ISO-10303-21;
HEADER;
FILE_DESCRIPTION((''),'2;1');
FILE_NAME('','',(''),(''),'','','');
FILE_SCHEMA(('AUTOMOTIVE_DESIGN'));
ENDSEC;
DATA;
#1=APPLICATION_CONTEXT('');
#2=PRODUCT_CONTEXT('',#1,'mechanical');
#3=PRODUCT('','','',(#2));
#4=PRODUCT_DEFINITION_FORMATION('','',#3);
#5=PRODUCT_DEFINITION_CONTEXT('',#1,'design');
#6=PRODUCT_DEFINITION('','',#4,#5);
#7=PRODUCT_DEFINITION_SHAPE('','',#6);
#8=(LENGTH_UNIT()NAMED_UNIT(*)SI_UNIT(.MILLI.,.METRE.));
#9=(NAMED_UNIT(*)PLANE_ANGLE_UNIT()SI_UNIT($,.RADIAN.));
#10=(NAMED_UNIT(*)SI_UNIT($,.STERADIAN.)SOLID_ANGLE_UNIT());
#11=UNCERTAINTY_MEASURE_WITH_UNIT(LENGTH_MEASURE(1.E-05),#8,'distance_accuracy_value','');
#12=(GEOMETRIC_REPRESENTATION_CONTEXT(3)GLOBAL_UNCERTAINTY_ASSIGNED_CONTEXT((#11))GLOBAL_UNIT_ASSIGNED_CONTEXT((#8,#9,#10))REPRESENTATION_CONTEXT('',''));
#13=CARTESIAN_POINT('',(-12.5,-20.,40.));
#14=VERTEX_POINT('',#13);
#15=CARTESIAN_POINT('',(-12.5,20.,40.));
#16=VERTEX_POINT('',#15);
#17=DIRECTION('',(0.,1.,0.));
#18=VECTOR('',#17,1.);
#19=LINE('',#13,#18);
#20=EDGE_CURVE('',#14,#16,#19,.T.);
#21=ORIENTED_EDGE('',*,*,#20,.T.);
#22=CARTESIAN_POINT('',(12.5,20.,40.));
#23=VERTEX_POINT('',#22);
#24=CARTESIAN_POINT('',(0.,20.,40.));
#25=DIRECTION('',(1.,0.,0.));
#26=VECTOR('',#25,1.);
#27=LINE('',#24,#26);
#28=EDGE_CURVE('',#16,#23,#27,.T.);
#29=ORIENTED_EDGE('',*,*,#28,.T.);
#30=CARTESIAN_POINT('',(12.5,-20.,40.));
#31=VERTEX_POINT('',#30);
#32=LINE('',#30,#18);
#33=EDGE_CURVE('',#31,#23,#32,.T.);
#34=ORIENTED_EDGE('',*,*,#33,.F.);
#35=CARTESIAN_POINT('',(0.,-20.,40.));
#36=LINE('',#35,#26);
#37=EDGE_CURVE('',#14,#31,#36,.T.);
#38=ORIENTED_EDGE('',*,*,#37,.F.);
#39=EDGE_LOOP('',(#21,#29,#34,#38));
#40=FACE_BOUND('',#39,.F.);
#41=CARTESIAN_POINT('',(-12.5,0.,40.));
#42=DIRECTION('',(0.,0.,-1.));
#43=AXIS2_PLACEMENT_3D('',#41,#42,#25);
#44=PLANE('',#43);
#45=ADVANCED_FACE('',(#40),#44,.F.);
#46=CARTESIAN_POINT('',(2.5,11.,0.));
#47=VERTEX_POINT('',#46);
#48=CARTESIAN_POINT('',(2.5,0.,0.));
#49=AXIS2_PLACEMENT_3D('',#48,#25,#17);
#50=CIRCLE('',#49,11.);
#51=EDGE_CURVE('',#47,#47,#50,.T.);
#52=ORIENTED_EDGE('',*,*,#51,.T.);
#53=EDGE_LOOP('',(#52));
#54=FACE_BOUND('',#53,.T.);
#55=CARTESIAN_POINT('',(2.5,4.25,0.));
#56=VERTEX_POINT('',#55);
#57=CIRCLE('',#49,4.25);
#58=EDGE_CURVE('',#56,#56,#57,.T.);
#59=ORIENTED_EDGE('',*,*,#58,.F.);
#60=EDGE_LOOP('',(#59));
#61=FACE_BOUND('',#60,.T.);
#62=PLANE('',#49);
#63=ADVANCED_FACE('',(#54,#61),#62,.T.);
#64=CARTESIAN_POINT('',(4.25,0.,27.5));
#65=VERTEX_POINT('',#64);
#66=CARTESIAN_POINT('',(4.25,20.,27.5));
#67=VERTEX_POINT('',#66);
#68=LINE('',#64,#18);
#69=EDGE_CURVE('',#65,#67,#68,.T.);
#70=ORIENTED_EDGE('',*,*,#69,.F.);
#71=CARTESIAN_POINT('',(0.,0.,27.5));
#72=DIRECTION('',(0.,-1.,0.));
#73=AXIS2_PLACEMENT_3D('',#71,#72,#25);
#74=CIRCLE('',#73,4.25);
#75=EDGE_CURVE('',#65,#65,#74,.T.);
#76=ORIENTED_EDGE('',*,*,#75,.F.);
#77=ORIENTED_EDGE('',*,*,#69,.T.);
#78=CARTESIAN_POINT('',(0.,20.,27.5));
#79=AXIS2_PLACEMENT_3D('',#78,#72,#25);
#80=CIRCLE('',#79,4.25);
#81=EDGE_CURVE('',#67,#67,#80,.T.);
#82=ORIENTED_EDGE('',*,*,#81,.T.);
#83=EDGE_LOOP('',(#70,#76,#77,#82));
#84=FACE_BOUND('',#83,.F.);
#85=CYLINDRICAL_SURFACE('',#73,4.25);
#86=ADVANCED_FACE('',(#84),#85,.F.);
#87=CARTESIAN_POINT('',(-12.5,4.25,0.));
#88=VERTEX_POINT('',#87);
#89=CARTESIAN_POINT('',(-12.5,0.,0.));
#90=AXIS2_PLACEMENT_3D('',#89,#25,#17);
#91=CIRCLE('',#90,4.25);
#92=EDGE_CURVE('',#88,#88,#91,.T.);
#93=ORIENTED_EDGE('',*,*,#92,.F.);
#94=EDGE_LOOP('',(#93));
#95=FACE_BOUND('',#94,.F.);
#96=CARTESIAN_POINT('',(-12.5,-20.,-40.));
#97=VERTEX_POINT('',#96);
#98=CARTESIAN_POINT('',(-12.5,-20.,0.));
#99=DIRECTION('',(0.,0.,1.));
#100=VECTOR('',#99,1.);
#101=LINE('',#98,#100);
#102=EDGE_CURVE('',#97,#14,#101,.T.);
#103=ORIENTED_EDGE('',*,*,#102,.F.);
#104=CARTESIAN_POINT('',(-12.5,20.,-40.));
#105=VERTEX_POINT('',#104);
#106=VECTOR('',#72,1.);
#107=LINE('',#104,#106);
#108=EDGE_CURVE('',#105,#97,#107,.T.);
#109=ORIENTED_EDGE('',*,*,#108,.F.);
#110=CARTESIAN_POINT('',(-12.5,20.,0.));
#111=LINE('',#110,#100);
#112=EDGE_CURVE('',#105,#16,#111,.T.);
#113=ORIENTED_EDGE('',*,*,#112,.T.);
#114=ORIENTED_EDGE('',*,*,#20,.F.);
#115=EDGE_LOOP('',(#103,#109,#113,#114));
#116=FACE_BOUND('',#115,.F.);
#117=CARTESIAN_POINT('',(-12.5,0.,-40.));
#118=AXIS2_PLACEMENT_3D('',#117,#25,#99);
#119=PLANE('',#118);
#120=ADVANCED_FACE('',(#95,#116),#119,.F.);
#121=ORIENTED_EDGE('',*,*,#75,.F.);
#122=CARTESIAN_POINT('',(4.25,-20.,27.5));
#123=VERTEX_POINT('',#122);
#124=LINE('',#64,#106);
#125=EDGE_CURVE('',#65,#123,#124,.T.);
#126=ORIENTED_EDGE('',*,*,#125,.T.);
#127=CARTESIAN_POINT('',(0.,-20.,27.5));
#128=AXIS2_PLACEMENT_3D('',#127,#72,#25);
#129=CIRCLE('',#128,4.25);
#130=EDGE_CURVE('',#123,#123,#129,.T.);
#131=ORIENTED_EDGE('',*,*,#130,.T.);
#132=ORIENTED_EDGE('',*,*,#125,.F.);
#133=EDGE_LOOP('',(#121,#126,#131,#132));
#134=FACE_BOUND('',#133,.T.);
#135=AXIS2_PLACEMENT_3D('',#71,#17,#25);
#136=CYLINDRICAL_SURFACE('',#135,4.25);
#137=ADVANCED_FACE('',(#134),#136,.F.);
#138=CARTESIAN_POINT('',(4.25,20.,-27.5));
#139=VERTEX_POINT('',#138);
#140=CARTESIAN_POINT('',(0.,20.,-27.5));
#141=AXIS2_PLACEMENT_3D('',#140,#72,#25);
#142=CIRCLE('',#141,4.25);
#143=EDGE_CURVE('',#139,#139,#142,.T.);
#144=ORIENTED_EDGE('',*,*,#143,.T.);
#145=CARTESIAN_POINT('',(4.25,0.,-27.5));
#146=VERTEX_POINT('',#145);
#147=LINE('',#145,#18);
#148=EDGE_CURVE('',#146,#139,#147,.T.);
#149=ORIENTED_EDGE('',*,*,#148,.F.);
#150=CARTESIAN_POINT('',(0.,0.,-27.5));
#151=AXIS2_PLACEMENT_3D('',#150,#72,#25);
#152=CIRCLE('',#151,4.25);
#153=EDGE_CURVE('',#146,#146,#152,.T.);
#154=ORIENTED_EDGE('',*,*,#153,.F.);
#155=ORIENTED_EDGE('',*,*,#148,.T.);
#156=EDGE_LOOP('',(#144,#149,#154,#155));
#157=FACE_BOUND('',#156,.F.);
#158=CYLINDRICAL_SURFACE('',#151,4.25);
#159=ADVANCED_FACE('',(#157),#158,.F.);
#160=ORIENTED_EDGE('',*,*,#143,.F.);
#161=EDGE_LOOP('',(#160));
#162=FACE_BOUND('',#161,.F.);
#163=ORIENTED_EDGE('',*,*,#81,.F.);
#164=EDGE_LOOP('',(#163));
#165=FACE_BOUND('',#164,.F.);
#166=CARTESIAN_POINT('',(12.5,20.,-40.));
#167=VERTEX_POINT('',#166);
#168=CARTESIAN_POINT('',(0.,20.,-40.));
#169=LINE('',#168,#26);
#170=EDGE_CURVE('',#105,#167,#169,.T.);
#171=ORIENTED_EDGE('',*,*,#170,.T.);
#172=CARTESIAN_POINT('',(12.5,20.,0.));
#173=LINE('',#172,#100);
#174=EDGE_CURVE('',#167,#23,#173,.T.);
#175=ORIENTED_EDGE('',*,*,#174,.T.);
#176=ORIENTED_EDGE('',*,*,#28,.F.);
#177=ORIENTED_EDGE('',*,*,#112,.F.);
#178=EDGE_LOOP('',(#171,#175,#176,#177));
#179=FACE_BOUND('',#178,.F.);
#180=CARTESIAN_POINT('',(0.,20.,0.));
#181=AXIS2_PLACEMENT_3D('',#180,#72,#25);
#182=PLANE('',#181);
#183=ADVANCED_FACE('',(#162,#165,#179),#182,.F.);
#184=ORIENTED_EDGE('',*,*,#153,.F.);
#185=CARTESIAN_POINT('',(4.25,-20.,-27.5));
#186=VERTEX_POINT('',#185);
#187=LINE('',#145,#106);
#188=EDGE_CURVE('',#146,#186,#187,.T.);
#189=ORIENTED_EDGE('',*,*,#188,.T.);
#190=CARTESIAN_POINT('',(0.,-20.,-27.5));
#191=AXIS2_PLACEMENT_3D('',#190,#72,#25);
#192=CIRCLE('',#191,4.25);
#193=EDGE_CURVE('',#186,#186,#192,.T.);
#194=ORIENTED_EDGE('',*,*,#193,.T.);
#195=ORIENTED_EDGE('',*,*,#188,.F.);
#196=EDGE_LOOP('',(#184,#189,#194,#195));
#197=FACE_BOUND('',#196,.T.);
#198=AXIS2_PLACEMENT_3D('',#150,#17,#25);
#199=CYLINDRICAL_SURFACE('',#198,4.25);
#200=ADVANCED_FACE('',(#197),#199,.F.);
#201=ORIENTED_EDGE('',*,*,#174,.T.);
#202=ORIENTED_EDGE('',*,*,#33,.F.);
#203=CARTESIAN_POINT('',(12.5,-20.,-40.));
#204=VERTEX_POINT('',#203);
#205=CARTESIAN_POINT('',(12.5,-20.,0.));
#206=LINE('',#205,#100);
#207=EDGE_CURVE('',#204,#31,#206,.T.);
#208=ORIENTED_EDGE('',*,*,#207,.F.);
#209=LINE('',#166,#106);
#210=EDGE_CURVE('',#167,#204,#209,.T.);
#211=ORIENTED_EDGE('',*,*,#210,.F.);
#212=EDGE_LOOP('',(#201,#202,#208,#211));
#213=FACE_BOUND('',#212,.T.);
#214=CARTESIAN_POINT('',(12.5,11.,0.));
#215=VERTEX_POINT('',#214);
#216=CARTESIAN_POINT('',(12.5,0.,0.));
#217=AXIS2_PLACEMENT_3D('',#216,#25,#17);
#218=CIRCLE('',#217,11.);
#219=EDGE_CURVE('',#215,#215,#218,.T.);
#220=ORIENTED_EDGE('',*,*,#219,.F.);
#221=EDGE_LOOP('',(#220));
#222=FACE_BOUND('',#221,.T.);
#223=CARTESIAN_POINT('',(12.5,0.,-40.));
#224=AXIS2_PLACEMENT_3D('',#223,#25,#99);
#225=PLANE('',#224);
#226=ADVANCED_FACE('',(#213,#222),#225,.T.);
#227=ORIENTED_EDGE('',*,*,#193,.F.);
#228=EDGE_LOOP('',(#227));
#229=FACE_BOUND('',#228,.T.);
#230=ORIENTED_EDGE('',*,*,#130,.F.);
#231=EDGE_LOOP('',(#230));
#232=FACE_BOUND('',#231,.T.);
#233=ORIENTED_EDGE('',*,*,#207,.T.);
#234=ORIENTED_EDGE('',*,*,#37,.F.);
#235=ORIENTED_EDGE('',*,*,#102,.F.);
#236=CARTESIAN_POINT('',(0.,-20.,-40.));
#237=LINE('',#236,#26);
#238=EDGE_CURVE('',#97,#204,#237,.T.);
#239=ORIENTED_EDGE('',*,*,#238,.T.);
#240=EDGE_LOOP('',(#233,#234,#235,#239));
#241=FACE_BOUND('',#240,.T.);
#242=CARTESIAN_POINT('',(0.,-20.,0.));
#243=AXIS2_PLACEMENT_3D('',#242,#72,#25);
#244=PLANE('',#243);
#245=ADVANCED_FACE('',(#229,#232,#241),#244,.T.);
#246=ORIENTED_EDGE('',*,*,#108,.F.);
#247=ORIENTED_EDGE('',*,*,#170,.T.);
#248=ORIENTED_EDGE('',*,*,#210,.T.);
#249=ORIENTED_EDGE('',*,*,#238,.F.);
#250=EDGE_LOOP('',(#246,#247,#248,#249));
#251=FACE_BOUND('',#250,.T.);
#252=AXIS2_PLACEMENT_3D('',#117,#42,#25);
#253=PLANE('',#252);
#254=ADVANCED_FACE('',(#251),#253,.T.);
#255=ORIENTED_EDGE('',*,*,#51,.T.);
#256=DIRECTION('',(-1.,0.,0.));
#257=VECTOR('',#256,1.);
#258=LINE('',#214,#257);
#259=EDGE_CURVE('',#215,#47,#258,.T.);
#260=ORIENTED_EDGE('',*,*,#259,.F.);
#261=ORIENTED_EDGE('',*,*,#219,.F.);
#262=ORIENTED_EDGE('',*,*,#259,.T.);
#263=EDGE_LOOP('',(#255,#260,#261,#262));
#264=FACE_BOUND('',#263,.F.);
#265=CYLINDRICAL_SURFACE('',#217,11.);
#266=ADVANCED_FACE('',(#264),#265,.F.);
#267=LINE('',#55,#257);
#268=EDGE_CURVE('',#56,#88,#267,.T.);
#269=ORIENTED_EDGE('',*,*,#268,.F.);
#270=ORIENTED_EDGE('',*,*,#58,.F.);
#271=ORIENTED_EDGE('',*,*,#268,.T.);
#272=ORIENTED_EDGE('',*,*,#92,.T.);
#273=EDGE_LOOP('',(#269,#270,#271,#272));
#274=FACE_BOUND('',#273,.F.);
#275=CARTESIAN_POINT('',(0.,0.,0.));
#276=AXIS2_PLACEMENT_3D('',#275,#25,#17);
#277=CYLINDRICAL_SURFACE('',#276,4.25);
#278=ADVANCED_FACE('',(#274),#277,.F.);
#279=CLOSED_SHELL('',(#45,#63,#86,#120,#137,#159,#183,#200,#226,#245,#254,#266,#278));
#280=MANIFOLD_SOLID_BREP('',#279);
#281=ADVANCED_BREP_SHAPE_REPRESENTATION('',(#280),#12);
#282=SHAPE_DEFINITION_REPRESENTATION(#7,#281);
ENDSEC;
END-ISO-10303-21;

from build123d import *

# Parameters (mm, degrees)
F0_W          = 25
F0_H          = 80
F0_R          = 4.25
F1_DEPTH      = 20
F1_DEPTH_BACK = 20
F2_R          = 4.25
F3_DEPTH      = 12.5
F4_R          = 11
F5_DEPTH      = 10
F6_R          = 4.25
F7_DEPTH      = 25


with BuildPart() as f1:
    # F0 (on Front) → F1 (new body, two sides)
    with BuildSketch(Plane.XZ) as f1_sk:
        Rectangle(F0_W, F0_H)
        with Locations((0, -27.5)):
            Circle(F0_R, mode=Mode.SUBTRACT)
        with Locations((0, 27.5)):
            Circle(F0_R, mode=Mode.SUBTRACT)
    extrude(amount=F1_DEPTH)
    extrude(f1_sk.sketch, amount=-F1_DEPTH_BACK)

    # F2 (on Right) → F3 (cut, through all)
    with BuildSketch(Plane.YZ):
        Circle(F2_R)
    extrude(amount=-F3_DEPTH, mode=Mode.SUBTRACT)

    # F4 (on face) → F5 (cut)
    with BuildSketch(Plane.YZ.offset(12.5)):
        Circle(F4_R)
    extrude(amount=-F5_DEPTH, mode=Mode.SUBTRACT)

    # F6 (on face) → F7 (cut)
    with BuildSketch(Plane.YZ.offset(12.5)):
        Circle(F6_R)
    extrude(amount=-F7_DEPTH, mode=Mode.SUBTRACT)


solid = f1.part
